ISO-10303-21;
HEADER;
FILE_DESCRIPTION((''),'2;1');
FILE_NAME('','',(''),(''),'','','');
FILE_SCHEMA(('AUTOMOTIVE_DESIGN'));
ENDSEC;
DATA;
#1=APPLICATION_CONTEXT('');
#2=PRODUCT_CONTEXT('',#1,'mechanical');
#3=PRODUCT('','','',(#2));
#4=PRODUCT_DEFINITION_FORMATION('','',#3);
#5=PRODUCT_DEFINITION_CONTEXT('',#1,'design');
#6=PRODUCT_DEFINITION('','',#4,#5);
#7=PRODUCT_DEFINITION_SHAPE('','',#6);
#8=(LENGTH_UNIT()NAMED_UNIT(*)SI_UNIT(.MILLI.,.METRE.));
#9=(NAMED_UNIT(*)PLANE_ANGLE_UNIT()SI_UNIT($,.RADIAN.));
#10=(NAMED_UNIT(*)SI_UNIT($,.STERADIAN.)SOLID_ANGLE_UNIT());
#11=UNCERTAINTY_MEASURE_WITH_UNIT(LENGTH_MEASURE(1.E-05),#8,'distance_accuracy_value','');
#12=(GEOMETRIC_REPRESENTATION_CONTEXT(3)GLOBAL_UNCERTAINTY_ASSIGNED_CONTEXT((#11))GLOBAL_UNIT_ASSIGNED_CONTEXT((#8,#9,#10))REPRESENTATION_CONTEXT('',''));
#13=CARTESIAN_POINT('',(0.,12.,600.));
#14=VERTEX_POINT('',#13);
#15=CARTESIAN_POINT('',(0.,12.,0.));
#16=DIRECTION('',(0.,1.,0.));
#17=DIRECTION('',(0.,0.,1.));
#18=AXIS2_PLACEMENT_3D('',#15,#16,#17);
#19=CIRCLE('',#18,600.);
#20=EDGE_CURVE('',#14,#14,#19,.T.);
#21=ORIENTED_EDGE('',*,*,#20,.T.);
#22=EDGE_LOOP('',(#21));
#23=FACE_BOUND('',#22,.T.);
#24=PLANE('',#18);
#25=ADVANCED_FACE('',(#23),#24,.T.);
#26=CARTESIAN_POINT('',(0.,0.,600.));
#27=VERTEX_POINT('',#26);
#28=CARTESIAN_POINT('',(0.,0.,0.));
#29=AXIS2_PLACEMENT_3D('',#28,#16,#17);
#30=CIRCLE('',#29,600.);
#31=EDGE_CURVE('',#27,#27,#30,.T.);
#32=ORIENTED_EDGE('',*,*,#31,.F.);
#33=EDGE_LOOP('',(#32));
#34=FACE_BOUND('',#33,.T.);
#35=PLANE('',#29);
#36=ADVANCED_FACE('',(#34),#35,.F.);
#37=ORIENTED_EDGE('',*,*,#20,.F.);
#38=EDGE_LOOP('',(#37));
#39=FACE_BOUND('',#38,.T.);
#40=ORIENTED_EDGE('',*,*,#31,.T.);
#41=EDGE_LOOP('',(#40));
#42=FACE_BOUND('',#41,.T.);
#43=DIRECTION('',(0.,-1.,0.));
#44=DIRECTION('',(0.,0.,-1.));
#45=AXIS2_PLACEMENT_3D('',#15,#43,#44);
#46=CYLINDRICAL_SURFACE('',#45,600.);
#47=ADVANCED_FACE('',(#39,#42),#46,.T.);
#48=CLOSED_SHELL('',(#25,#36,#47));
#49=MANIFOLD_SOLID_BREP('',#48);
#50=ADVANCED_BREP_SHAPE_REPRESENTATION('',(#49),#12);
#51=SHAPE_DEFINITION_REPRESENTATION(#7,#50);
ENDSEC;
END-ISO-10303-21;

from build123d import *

# Parameters (mm, degrees)
SKIZZE1_R                       = 600
AUFSATZ_LINEAR_AUSTRAGEN1_DEPTH = 12


with BuildPart() as part:
    # Skizze1 → Aufsatz-Linear austragen1 (new body)
    with BuildSketch(Plane(origin=(0, 0, 0), x_dir=(1, 0, 0), z_dir=(0, 1, 0))):
        with Locations(Location((0, 0, 0), (0, 0, 270))):  # turned: the seam where the file's is
            Circle(SKIZZE1_R)
    extrude(amount=AUFSATZ_LINEAR_AUSTRAGEN1_DEPTH)


solid = part.part
